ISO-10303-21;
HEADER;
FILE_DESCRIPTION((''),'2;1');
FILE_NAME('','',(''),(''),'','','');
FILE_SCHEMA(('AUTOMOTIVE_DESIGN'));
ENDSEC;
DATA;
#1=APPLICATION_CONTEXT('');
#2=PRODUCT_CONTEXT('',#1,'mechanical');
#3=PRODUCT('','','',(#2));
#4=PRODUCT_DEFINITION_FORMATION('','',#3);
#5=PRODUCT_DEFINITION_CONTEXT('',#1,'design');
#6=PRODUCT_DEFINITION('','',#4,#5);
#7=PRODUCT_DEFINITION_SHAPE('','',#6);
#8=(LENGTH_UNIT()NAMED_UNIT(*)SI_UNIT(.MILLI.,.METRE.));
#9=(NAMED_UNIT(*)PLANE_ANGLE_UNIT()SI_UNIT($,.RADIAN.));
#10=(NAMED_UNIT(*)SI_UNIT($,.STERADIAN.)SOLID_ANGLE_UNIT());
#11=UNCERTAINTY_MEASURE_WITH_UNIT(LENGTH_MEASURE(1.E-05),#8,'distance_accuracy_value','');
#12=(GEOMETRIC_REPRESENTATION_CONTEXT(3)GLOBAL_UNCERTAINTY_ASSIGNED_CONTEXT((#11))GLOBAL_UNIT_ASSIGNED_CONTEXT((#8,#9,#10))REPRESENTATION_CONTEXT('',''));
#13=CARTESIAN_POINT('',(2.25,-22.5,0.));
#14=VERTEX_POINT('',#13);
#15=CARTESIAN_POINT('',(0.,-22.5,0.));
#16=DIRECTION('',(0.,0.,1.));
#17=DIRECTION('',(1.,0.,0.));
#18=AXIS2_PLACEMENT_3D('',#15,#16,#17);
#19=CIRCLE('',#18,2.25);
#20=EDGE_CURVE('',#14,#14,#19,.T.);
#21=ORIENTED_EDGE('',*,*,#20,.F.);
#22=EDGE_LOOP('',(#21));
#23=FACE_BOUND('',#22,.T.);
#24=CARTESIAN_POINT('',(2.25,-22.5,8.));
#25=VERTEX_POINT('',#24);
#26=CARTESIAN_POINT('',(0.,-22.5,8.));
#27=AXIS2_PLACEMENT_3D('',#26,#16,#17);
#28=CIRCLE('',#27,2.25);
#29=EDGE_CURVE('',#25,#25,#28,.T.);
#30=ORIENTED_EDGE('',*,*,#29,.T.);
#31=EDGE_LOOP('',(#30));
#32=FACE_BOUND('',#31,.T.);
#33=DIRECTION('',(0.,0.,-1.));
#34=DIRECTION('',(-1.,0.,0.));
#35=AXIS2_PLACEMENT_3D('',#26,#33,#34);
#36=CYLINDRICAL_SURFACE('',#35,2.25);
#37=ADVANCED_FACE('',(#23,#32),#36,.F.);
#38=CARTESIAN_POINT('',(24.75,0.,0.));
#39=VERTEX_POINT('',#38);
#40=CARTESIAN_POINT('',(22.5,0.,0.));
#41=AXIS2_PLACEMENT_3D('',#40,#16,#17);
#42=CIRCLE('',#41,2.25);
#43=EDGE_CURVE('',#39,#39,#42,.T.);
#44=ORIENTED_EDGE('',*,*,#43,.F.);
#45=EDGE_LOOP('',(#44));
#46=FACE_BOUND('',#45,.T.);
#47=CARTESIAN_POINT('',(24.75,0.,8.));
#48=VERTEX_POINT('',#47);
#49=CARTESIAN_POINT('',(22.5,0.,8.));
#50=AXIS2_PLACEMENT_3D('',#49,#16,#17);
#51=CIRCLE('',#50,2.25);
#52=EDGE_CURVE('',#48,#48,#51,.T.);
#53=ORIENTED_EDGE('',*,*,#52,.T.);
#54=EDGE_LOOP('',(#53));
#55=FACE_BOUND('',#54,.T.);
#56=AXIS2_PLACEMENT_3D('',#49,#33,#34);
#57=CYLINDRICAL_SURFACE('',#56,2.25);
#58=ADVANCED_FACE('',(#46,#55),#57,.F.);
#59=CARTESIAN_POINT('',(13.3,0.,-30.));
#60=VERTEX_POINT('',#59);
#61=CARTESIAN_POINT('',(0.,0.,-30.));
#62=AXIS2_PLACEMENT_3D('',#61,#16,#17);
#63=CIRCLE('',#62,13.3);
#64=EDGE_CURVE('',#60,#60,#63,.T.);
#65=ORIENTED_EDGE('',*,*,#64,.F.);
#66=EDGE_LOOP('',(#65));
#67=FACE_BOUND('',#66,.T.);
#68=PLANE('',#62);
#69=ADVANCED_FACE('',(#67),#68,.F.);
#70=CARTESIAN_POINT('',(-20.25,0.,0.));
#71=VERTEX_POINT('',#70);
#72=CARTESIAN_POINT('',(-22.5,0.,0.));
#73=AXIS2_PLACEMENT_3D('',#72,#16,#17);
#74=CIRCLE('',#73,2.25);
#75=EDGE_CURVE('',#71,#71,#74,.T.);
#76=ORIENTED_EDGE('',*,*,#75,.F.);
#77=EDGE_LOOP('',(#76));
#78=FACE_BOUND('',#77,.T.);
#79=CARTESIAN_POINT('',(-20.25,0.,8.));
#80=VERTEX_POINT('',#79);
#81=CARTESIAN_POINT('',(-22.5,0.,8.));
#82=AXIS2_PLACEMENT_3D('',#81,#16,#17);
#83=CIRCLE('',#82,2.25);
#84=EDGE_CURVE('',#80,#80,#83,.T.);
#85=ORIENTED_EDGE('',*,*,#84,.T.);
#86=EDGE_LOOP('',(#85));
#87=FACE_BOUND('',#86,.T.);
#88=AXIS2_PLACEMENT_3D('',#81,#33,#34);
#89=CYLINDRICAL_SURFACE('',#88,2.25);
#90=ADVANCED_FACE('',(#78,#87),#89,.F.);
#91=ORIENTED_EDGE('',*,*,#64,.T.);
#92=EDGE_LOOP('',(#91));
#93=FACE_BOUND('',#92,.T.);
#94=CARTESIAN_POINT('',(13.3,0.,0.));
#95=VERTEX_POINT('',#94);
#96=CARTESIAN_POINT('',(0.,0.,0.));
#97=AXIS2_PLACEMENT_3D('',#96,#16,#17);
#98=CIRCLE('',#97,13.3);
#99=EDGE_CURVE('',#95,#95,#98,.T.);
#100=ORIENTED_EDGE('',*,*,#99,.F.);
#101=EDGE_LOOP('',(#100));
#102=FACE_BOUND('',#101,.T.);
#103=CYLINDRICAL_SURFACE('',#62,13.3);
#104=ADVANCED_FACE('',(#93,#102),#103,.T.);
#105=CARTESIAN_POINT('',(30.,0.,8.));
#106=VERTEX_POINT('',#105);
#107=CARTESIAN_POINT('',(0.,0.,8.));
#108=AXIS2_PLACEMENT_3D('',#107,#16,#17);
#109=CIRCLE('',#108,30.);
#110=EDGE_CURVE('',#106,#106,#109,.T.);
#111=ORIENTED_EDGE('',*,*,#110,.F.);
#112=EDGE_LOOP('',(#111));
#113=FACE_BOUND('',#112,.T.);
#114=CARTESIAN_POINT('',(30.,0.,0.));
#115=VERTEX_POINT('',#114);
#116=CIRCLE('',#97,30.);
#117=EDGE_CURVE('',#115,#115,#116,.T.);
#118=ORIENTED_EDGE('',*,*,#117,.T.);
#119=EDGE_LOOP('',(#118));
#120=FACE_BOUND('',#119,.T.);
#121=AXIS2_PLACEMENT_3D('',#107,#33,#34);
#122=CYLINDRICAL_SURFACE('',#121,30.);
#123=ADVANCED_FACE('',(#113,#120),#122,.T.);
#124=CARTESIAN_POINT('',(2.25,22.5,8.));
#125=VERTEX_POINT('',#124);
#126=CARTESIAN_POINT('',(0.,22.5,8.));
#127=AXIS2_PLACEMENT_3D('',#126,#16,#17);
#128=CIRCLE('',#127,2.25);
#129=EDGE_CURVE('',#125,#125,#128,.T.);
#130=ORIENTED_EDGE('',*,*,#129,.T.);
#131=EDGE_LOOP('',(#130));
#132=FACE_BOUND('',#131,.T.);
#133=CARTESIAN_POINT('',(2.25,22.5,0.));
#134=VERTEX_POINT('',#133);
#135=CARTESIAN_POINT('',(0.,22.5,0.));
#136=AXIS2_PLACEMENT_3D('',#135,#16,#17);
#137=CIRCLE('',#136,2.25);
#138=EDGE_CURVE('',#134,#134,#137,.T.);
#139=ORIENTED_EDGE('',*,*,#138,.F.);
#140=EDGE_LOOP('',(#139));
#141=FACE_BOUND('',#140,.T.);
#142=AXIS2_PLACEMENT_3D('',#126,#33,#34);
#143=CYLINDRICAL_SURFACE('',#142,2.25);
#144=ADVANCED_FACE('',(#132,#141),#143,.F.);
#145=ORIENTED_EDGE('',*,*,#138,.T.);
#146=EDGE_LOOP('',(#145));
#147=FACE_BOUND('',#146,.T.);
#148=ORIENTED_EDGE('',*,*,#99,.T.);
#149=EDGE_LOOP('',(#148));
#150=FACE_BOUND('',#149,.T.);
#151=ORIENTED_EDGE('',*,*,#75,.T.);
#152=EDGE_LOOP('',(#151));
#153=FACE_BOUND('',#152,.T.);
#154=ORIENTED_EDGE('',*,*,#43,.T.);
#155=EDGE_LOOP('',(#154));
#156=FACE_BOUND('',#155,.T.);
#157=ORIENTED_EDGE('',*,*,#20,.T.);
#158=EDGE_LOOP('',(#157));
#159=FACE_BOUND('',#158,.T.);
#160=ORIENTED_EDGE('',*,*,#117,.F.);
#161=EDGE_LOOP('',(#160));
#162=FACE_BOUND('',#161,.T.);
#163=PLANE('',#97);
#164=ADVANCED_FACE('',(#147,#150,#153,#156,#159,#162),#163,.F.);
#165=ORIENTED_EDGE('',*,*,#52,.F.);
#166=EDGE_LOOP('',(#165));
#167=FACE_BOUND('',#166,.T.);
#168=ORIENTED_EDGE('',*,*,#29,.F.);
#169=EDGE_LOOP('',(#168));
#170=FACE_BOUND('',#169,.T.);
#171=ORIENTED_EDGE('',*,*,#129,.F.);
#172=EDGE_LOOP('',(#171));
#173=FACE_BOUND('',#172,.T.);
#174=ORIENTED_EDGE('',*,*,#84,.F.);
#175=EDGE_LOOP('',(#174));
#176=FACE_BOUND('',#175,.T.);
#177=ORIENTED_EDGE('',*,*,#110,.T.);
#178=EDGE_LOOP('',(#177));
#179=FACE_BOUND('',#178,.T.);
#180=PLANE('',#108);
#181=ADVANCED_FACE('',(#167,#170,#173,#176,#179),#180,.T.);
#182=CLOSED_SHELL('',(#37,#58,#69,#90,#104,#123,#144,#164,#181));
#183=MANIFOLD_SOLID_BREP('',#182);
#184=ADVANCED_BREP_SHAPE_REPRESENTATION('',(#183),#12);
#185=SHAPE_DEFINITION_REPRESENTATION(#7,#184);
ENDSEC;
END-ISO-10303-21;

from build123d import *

# Parameters (mm, degrees)
CROQUIS1_R              = 13.3
SALIENTE_EXTRUIR1_DEPTH = 30
CROQUIS2_R              = 30
CROQUIS2_R_2            = 2.25
SALIENTE_EXTRUIR2_DEPTH = 8


with BuildPart() as part:
    # Croquis1 → Saliente-Extruir1 (new body)
    with BuildSketch(Plane.XY):
        Circle(CROQUIS1_R)
    extrude(amount=-SALIENTE_EXTRUIR1_DEPTH)

    # Croquis2 → Saliente-Extruir2 (add)
    with BuildSketch(Plane.XY):
        Circle(CROQUIS2_R)
        with Locations((0, 22.5)):
            Circle(CROQUIS2_R_2, mode=Mode.SUBTRACT)
        with Locations((22.5, 0)):
            Circle(CROQUIS2_R_2, mode=Mode.SUBTRACT)
        with Locations((0, -22.5)):
            Circle(CROQUIS2_R_2, mode=Mode.SUBTRACT)
        with Locations((-22.5, 0)):
            Circle(CROQUIS2_R_2, mode=Mode.SUBTRACT)
    extrude(amount=SALIENTE_EXTRUIR2_DEPTH)


solid = part.part
